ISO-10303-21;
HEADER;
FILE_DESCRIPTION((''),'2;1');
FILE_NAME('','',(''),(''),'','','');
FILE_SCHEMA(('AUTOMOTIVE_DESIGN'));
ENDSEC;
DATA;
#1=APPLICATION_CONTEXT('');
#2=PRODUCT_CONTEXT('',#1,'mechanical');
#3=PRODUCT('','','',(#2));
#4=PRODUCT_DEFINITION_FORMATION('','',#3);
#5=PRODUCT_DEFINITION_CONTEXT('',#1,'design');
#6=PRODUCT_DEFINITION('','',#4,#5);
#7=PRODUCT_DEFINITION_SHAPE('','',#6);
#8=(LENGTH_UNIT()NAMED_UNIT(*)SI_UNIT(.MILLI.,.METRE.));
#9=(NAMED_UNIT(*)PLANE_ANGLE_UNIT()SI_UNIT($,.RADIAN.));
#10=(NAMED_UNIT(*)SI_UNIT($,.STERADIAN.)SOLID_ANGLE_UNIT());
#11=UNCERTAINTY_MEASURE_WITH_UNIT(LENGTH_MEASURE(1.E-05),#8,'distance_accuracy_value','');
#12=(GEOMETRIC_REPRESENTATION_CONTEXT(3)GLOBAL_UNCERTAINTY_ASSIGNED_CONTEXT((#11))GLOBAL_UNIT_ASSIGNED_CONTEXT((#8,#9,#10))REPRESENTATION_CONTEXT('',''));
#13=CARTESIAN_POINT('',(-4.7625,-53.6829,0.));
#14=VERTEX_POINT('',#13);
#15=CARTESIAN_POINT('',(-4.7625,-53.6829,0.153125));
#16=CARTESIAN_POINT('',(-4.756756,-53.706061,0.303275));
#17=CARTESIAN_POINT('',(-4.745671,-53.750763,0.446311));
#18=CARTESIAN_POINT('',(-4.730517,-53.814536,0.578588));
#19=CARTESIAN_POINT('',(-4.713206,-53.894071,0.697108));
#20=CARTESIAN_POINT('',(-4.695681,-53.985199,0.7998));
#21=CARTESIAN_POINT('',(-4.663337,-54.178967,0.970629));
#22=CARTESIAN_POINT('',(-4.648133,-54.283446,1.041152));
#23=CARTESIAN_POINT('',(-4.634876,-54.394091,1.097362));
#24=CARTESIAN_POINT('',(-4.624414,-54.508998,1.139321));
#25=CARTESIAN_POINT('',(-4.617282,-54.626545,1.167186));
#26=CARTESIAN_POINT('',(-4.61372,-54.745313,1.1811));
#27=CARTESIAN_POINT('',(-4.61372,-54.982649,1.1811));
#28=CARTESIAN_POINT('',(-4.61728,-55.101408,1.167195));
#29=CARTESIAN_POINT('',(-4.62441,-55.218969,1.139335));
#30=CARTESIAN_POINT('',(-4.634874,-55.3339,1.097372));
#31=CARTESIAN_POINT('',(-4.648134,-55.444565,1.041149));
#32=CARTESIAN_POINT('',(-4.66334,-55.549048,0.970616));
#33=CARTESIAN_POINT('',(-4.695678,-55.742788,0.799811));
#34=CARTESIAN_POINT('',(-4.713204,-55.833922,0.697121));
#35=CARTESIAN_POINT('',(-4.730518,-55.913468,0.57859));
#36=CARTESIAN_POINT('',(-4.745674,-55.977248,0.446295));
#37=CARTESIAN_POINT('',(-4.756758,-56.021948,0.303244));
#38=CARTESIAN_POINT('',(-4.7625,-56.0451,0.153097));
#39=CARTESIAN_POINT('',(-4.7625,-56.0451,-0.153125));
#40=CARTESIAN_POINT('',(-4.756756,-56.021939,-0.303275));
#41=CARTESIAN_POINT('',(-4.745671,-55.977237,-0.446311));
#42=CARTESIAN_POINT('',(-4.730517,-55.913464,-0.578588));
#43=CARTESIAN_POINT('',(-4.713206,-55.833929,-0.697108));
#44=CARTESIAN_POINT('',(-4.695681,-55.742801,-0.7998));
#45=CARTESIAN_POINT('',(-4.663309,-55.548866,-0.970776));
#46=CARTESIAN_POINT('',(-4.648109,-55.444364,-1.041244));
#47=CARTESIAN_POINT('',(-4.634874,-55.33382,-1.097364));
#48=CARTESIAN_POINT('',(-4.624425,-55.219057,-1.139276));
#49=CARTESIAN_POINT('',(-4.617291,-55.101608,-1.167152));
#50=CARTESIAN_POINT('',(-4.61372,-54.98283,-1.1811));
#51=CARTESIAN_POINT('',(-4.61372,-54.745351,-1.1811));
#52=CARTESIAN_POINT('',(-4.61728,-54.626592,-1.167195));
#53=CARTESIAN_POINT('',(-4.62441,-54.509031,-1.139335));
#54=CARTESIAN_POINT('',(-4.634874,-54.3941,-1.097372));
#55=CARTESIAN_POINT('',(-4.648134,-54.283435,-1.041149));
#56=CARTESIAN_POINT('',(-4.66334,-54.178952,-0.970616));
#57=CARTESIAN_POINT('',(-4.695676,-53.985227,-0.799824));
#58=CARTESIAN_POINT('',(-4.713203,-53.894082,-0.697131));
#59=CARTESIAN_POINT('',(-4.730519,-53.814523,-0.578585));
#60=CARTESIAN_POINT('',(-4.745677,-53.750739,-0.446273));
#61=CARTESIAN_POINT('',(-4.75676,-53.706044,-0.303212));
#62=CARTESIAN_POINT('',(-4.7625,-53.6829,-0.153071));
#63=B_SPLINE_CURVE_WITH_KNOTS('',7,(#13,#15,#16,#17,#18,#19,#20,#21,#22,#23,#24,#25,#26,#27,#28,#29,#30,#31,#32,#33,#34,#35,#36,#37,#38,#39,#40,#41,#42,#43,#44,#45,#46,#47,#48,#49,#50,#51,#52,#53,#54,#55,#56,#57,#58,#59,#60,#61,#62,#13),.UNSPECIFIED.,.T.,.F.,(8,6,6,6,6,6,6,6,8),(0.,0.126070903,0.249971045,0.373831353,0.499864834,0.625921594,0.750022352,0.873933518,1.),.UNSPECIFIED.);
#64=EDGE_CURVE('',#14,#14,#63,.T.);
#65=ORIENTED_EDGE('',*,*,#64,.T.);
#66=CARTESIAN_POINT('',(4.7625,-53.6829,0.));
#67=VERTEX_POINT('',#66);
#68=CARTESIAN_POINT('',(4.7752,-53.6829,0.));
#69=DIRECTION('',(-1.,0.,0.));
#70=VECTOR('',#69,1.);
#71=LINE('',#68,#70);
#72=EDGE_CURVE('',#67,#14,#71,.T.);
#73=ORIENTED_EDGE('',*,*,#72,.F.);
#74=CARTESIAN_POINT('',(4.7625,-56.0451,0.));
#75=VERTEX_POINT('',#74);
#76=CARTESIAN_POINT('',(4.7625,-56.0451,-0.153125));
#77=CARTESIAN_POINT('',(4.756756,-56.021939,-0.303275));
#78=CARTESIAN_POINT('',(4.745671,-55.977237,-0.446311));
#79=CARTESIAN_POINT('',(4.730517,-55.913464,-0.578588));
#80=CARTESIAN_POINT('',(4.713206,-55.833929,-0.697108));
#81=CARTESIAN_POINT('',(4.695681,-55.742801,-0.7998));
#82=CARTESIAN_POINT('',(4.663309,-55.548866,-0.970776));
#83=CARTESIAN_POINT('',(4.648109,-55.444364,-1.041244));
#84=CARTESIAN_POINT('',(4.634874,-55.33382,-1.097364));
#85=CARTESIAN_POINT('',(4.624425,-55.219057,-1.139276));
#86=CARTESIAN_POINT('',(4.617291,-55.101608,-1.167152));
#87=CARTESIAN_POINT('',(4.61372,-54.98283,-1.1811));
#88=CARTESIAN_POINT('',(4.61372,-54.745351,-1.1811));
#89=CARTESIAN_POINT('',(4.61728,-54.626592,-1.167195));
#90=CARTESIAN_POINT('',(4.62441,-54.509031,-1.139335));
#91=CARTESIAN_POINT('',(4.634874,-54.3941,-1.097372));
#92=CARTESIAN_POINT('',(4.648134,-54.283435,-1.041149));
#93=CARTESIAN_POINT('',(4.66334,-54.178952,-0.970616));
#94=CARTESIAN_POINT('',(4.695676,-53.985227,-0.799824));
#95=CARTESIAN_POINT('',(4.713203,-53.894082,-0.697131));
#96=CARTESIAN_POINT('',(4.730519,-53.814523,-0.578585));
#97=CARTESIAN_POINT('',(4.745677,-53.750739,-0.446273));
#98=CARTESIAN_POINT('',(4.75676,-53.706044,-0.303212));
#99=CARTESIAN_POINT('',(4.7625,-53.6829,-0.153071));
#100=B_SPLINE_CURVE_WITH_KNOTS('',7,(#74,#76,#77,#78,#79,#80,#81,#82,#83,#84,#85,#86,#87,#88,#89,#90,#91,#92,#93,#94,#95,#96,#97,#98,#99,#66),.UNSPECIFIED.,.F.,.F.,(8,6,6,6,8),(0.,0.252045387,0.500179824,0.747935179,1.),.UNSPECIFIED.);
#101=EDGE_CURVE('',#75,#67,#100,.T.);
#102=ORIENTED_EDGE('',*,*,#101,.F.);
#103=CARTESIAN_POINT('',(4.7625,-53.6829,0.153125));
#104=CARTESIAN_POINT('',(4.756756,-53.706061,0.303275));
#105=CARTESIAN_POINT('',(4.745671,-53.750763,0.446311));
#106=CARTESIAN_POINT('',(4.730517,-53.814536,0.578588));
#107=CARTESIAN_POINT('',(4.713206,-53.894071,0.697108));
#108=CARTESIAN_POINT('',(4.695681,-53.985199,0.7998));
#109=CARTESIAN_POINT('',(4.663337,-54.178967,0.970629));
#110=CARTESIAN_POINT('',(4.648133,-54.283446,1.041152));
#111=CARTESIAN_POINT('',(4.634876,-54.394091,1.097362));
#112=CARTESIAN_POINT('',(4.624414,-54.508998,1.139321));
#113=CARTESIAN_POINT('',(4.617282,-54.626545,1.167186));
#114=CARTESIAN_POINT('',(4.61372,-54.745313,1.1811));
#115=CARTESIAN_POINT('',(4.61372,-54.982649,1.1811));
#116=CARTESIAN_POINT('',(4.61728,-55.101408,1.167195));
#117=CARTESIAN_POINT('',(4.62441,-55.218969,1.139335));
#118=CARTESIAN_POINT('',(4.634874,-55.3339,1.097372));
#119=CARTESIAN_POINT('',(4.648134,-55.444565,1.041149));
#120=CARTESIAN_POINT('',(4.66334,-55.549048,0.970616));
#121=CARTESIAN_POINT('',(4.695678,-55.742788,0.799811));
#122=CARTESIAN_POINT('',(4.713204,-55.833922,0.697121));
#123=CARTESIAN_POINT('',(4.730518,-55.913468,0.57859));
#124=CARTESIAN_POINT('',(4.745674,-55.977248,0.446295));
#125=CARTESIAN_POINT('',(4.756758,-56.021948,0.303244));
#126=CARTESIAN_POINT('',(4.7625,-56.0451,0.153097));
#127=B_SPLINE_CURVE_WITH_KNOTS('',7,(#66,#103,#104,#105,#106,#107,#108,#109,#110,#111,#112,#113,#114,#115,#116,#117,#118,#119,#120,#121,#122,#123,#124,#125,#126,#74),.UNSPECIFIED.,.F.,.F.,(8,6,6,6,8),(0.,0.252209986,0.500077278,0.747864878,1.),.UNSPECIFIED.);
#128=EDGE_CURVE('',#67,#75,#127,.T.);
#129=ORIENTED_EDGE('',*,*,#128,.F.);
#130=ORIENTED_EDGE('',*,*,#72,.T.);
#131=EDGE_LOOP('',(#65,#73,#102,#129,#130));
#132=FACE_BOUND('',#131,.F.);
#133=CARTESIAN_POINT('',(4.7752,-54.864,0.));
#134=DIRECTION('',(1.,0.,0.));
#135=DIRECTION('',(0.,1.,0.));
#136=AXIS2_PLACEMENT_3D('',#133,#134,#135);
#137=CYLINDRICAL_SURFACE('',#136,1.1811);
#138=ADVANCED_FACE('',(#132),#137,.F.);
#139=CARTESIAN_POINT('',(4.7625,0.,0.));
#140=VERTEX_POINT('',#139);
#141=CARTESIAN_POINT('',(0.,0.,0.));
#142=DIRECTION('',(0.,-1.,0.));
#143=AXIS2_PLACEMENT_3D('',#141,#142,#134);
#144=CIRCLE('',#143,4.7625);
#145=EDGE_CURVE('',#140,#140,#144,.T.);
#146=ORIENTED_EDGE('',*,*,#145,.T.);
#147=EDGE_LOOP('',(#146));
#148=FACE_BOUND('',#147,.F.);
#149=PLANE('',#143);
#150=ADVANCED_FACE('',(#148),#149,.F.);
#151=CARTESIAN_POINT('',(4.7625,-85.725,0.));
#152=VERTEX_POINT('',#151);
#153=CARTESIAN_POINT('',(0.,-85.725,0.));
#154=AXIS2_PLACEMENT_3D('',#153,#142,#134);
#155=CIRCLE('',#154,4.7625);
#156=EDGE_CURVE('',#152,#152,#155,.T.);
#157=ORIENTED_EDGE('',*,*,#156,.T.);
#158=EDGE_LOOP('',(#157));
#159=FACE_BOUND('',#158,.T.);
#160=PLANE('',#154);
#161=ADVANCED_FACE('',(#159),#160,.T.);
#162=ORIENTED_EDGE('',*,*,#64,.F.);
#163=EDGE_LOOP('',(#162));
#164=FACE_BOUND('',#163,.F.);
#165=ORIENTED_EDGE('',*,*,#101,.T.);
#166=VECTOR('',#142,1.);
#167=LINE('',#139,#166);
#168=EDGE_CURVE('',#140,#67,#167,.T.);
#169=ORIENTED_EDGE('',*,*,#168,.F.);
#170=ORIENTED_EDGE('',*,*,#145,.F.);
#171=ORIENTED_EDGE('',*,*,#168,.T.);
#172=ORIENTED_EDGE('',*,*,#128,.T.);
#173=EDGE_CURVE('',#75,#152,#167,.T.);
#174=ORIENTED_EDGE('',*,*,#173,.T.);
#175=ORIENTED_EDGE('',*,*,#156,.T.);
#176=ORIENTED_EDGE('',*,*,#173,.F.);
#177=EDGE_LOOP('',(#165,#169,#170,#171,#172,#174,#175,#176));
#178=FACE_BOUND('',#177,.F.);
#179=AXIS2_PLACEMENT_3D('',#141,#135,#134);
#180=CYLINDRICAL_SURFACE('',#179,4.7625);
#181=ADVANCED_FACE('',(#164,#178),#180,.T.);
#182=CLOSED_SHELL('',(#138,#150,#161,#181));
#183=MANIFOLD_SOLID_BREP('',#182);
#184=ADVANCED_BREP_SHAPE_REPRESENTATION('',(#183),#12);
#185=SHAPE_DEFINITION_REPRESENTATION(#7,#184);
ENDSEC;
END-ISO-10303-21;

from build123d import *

# Parameters (mm, degrees)
F0_R     = 4.7625
F1_DEPTH = 85.725
F3_R     = 1.1811
F4_DEPTH = 9.5387


with BuildPart() as f1:
    # F0 (on Front) → F1 (new body)
    with BuildSketch(Plane.XZ):
        Circle(F0_R)
    extrude(amount=F1_DEPTH)

    # F3 (on offset) → F4 (cut, through all)
    with BuildSketch(Plane.YZ.offset(4.7752)):
        with Locations((-54.864, 0)):
            Circle(F3_R)
    extrude(amount=-F4_DEPTH, mode=Mode.SUBTRACT)


solid = f1.part
